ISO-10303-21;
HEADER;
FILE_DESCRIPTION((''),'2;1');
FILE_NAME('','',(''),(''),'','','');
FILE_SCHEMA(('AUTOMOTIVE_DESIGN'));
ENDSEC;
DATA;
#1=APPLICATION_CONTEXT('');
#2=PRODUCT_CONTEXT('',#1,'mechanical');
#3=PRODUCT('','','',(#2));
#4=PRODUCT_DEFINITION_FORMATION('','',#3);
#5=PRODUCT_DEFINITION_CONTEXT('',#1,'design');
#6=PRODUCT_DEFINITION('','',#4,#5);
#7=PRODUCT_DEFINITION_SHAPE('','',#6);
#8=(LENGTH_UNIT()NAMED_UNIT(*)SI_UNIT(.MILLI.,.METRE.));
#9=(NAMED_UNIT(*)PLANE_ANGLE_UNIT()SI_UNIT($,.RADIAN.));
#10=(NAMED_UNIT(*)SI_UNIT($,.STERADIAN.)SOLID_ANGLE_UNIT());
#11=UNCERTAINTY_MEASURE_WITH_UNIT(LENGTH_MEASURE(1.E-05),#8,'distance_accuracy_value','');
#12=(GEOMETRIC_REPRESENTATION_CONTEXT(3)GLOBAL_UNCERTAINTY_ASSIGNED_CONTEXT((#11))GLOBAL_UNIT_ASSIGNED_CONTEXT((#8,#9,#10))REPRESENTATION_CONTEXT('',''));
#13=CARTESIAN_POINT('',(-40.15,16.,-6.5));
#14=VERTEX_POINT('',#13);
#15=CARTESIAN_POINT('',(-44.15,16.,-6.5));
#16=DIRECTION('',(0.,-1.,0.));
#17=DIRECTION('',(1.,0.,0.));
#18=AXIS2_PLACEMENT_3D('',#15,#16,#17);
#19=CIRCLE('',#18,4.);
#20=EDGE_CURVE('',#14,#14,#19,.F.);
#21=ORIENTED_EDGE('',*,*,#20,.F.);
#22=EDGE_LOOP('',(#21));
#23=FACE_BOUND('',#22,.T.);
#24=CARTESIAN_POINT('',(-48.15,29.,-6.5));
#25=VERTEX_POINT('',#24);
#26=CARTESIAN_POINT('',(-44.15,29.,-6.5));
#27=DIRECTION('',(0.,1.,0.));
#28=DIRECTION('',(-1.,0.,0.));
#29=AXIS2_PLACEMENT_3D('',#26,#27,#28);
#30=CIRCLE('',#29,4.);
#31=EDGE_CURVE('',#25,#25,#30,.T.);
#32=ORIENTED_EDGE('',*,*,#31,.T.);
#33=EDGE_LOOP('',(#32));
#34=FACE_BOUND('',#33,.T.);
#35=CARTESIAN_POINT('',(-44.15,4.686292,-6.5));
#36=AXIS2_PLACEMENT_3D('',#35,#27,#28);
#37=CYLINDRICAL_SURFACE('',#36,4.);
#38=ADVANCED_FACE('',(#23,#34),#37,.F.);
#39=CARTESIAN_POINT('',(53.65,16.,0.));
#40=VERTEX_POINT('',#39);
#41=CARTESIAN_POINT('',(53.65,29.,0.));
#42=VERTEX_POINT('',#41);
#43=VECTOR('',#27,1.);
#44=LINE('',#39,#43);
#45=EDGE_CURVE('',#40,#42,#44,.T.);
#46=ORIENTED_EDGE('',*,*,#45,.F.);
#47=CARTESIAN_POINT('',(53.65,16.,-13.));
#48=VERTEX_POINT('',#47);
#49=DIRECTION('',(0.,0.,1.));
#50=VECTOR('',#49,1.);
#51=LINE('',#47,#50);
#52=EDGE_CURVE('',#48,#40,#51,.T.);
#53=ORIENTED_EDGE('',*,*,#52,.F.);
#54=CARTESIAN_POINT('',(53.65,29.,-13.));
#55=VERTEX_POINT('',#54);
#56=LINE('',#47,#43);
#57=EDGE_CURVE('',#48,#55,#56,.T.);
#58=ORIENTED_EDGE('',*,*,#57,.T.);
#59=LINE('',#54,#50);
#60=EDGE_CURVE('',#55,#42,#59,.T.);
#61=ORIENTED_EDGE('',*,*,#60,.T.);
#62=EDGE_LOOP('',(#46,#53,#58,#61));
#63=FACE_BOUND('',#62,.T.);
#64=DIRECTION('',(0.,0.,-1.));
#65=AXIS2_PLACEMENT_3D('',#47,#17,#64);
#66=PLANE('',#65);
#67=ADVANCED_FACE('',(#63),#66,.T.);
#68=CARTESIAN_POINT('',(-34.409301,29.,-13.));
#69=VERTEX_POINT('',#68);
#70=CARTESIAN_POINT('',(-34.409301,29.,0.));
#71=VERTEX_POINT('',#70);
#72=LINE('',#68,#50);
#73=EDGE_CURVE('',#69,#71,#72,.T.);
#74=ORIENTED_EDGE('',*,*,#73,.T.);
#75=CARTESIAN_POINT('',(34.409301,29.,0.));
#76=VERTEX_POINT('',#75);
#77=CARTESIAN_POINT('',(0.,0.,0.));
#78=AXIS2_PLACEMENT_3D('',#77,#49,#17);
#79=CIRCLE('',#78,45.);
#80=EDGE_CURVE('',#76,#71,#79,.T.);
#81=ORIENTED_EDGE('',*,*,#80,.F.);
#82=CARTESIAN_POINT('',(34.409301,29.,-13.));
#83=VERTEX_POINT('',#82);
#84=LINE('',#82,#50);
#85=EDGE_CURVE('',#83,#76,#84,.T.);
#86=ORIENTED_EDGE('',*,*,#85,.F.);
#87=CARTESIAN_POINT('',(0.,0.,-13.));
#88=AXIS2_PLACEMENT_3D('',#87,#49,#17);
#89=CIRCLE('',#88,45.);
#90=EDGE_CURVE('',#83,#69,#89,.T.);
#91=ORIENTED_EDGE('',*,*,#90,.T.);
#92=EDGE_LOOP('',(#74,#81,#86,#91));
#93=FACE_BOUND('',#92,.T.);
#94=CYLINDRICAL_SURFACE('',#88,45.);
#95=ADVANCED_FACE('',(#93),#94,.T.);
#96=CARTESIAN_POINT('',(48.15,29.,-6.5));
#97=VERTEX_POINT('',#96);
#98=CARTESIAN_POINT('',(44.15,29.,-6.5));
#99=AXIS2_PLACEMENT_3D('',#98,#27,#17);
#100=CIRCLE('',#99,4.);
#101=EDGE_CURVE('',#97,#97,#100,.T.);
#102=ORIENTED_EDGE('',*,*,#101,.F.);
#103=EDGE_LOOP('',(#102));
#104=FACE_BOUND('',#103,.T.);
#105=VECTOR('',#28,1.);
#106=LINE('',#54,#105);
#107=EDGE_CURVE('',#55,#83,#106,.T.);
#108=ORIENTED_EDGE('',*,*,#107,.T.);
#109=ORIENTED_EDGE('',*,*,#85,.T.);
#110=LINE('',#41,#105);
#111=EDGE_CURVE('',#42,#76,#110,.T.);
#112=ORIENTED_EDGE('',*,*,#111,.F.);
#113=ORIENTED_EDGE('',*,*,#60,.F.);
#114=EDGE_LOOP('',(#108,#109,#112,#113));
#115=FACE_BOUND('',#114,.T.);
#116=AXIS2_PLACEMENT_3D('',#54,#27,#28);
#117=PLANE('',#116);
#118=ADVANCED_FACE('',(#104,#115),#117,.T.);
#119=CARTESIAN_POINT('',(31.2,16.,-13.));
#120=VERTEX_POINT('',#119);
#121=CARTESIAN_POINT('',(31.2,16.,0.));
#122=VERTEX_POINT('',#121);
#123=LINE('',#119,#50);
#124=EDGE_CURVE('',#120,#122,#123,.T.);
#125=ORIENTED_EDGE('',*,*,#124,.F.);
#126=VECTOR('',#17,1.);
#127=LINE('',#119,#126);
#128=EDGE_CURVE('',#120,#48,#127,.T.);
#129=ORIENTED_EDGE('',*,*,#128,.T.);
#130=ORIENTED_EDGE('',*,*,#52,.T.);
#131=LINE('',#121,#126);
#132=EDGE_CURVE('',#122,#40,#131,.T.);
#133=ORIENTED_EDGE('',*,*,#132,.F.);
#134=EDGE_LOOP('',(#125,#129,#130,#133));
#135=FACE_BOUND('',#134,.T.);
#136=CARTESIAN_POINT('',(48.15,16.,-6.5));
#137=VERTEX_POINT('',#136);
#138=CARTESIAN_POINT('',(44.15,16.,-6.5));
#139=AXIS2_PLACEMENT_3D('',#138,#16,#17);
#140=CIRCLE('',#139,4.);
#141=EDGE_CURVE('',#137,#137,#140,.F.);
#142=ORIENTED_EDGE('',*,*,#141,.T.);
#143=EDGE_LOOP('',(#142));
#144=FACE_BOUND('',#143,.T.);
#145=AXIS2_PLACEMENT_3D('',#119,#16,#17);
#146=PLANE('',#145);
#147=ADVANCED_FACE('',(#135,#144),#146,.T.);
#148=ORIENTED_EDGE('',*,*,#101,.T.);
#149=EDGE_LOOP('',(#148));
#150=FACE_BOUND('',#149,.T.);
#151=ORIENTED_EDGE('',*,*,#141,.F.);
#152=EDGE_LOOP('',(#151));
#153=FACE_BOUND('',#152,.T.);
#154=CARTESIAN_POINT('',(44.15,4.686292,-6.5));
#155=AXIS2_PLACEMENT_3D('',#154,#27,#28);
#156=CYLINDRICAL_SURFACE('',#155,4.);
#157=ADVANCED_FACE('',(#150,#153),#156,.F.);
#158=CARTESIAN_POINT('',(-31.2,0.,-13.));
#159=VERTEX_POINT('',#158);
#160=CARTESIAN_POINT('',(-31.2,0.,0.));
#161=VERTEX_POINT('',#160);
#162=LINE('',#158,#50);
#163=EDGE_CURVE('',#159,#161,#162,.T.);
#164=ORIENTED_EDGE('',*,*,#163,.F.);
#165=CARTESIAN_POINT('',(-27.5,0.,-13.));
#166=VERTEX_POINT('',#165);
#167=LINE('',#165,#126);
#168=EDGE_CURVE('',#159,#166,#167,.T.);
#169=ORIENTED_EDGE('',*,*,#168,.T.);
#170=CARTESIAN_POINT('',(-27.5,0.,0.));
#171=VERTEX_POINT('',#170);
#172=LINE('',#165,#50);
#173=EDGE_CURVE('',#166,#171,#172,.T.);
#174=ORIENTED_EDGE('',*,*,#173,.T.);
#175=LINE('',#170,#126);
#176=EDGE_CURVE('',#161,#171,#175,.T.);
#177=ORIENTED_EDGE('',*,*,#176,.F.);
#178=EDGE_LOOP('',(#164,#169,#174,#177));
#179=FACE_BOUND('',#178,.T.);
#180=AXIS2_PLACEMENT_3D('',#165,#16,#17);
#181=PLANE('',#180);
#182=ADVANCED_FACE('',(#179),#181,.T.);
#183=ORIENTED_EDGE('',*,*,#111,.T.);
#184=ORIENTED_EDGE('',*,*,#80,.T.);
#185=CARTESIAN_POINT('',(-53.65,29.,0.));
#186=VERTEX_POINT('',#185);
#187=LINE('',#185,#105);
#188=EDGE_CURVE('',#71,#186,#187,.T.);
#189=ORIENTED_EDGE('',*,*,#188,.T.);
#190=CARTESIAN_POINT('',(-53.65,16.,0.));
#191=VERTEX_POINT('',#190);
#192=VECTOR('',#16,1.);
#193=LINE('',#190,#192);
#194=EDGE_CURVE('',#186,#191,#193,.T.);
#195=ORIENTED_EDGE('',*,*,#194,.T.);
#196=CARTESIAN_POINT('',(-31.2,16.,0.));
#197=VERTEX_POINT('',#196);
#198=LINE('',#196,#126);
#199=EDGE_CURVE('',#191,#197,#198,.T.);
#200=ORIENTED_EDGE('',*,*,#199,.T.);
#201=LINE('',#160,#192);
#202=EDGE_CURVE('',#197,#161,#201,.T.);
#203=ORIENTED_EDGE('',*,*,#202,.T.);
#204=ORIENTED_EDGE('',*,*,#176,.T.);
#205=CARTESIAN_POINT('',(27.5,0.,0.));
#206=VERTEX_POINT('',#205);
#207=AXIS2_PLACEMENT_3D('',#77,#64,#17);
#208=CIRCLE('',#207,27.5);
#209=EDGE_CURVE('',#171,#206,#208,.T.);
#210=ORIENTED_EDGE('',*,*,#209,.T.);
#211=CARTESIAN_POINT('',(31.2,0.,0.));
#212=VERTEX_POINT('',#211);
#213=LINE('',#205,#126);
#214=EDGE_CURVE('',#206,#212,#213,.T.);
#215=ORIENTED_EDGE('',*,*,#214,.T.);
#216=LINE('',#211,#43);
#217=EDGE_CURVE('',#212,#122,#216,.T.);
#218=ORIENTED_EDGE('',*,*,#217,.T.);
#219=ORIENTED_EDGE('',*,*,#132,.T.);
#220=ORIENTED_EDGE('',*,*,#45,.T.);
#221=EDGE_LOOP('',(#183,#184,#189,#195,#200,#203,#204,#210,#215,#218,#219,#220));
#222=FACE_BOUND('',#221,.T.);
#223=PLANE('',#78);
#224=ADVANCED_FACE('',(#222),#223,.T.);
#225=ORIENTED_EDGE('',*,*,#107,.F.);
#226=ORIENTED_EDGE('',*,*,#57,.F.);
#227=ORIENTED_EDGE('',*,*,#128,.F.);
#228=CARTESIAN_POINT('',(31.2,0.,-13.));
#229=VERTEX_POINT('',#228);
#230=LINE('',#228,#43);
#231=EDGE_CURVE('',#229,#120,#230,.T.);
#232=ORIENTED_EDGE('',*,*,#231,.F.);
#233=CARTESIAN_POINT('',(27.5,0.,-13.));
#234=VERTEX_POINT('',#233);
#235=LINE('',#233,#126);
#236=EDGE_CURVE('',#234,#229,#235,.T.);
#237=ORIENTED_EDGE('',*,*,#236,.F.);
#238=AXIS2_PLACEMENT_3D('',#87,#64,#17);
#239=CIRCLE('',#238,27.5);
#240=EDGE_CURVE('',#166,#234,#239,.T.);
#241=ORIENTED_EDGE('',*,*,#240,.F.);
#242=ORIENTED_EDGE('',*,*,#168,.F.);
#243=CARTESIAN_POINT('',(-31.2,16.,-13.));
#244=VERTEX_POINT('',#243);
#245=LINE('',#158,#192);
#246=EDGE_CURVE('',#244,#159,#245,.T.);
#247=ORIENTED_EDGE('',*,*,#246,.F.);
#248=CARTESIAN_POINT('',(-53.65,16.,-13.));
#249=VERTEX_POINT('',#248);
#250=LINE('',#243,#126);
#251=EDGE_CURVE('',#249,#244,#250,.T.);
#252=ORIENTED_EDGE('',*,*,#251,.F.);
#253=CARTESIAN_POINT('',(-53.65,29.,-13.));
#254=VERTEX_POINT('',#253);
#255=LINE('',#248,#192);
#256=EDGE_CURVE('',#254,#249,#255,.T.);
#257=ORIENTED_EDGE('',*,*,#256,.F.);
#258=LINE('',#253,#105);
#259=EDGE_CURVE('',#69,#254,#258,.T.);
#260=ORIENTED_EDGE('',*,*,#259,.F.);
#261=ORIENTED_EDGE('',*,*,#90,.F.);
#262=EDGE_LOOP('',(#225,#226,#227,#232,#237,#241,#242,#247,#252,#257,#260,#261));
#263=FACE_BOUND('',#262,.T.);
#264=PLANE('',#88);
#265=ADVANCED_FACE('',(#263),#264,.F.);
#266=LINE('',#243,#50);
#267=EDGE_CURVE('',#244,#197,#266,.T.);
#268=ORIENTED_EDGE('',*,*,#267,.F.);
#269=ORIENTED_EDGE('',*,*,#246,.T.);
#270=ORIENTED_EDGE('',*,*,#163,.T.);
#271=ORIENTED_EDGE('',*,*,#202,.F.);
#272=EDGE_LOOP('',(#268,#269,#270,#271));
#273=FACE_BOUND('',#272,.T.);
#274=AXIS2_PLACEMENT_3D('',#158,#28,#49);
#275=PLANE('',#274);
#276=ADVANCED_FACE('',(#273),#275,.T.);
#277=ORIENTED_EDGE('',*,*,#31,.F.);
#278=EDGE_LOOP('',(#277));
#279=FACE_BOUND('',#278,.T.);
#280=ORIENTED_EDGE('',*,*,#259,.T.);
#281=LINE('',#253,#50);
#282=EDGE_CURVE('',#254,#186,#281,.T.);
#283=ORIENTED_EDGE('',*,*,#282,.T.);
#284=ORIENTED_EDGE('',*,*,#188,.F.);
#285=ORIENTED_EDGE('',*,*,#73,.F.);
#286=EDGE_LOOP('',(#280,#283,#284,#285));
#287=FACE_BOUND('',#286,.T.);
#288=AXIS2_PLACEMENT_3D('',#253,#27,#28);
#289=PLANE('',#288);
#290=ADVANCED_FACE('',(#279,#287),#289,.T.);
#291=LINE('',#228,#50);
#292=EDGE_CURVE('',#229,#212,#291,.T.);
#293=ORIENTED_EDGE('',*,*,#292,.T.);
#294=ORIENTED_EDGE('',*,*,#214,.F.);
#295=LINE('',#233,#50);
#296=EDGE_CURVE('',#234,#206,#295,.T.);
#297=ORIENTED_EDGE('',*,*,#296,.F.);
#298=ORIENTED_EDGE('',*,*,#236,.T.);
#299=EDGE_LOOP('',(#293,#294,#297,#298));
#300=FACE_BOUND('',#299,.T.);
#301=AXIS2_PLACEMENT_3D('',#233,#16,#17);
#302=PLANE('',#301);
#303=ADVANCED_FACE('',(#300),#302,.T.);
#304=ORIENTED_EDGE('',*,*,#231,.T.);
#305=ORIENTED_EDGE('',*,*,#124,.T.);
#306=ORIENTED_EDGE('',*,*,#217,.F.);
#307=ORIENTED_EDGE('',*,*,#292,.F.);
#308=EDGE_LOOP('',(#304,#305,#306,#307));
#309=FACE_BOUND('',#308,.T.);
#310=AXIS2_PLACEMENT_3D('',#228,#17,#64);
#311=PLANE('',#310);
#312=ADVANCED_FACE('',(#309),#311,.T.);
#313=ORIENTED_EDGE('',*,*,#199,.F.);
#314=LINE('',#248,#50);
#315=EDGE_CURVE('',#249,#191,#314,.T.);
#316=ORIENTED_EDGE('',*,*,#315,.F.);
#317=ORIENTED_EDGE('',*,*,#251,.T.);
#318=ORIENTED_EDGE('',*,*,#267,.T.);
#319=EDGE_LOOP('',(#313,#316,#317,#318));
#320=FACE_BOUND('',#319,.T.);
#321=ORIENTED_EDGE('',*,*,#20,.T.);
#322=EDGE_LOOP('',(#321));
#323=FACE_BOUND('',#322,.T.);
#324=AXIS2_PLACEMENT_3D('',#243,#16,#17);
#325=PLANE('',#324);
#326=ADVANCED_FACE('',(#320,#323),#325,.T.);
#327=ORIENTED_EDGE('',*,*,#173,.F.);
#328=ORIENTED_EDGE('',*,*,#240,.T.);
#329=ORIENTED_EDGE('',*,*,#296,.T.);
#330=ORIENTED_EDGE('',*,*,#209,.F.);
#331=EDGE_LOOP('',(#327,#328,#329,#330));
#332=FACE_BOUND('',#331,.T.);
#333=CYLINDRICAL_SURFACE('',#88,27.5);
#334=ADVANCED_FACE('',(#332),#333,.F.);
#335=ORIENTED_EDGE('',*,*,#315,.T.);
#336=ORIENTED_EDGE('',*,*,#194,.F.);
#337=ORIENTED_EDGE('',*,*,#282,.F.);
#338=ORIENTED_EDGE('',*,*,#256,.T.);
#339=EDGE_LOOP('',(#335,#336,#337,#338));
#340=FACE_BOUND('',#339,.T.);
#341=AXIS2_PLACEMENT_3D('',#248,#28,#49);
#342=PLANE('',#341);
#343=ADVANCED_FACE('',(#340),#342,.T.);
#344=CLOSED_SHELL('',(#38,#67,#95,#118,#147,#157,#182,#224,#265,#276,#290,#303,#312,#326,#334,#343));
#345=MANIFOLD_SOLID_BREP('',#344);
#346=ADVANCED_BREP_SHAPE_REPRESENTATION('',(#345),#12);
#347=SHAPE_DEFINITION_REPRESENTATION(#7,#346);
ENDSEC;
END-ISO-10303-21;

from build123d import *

# Parameters (mm, degrees)
BOSS_EXTRUDE1_DEPTH = 13
SKETCH3_R           = 4
CUT_EXTRUDE1_DEPTH  = 13


with BuildPart() as part:
    # Sketch1 → Boss-Extrude1 (new body)
    with BuildSketch(Plane.XY):
        with BuildLine():
            Line((-27.5, 0), (-31.2, 0))
            Line((-31.2, 0), (-31.2, 16))
            Line((-31.2, 16), (-53.65, 16))
            Line((-53.65, 16), (-53.65, 29))
            Line((-53.65, 29), (-34.409301068, 29))
            ThreePointArc((-34.409301068, 29), (0, 45), (34.409301068, 29))
            Line((34.409301068, 29), (53.65, 29))
            Line((53.65, 29), (53.65, 16))
            Line((53.65, 16), (31.2, 16))
            Line((31.2, 16), (31.2, 0))
            Line((31.2, 0), (27.5, 0))
            ThreePointArc((27.5, 0), (0, 27.5), (-27.5, 0))
        make_face()
    extrude(amount=-BOSS_EXTRUDE1_DEPTH)

    # Sketch3 → Cut-Extrude1 (cut)
    with BuildSketch(Plane(origin=(0, 29, 0), x_dir=(1, 0, 0), z_dir=(0, 1, 0))):
        with Locations(Location((-44.15, 6.5, 0), (0, 0, 180))):
            Circle(SKETCH3_R)
        with Locations((44.15, 6.5)):
            Circle(SKETCH3_R)
    extrude(amount=-CUT_EXTRUDE1_DEPTH, mode=Mode.SUBTRACT)


solid = part.part
